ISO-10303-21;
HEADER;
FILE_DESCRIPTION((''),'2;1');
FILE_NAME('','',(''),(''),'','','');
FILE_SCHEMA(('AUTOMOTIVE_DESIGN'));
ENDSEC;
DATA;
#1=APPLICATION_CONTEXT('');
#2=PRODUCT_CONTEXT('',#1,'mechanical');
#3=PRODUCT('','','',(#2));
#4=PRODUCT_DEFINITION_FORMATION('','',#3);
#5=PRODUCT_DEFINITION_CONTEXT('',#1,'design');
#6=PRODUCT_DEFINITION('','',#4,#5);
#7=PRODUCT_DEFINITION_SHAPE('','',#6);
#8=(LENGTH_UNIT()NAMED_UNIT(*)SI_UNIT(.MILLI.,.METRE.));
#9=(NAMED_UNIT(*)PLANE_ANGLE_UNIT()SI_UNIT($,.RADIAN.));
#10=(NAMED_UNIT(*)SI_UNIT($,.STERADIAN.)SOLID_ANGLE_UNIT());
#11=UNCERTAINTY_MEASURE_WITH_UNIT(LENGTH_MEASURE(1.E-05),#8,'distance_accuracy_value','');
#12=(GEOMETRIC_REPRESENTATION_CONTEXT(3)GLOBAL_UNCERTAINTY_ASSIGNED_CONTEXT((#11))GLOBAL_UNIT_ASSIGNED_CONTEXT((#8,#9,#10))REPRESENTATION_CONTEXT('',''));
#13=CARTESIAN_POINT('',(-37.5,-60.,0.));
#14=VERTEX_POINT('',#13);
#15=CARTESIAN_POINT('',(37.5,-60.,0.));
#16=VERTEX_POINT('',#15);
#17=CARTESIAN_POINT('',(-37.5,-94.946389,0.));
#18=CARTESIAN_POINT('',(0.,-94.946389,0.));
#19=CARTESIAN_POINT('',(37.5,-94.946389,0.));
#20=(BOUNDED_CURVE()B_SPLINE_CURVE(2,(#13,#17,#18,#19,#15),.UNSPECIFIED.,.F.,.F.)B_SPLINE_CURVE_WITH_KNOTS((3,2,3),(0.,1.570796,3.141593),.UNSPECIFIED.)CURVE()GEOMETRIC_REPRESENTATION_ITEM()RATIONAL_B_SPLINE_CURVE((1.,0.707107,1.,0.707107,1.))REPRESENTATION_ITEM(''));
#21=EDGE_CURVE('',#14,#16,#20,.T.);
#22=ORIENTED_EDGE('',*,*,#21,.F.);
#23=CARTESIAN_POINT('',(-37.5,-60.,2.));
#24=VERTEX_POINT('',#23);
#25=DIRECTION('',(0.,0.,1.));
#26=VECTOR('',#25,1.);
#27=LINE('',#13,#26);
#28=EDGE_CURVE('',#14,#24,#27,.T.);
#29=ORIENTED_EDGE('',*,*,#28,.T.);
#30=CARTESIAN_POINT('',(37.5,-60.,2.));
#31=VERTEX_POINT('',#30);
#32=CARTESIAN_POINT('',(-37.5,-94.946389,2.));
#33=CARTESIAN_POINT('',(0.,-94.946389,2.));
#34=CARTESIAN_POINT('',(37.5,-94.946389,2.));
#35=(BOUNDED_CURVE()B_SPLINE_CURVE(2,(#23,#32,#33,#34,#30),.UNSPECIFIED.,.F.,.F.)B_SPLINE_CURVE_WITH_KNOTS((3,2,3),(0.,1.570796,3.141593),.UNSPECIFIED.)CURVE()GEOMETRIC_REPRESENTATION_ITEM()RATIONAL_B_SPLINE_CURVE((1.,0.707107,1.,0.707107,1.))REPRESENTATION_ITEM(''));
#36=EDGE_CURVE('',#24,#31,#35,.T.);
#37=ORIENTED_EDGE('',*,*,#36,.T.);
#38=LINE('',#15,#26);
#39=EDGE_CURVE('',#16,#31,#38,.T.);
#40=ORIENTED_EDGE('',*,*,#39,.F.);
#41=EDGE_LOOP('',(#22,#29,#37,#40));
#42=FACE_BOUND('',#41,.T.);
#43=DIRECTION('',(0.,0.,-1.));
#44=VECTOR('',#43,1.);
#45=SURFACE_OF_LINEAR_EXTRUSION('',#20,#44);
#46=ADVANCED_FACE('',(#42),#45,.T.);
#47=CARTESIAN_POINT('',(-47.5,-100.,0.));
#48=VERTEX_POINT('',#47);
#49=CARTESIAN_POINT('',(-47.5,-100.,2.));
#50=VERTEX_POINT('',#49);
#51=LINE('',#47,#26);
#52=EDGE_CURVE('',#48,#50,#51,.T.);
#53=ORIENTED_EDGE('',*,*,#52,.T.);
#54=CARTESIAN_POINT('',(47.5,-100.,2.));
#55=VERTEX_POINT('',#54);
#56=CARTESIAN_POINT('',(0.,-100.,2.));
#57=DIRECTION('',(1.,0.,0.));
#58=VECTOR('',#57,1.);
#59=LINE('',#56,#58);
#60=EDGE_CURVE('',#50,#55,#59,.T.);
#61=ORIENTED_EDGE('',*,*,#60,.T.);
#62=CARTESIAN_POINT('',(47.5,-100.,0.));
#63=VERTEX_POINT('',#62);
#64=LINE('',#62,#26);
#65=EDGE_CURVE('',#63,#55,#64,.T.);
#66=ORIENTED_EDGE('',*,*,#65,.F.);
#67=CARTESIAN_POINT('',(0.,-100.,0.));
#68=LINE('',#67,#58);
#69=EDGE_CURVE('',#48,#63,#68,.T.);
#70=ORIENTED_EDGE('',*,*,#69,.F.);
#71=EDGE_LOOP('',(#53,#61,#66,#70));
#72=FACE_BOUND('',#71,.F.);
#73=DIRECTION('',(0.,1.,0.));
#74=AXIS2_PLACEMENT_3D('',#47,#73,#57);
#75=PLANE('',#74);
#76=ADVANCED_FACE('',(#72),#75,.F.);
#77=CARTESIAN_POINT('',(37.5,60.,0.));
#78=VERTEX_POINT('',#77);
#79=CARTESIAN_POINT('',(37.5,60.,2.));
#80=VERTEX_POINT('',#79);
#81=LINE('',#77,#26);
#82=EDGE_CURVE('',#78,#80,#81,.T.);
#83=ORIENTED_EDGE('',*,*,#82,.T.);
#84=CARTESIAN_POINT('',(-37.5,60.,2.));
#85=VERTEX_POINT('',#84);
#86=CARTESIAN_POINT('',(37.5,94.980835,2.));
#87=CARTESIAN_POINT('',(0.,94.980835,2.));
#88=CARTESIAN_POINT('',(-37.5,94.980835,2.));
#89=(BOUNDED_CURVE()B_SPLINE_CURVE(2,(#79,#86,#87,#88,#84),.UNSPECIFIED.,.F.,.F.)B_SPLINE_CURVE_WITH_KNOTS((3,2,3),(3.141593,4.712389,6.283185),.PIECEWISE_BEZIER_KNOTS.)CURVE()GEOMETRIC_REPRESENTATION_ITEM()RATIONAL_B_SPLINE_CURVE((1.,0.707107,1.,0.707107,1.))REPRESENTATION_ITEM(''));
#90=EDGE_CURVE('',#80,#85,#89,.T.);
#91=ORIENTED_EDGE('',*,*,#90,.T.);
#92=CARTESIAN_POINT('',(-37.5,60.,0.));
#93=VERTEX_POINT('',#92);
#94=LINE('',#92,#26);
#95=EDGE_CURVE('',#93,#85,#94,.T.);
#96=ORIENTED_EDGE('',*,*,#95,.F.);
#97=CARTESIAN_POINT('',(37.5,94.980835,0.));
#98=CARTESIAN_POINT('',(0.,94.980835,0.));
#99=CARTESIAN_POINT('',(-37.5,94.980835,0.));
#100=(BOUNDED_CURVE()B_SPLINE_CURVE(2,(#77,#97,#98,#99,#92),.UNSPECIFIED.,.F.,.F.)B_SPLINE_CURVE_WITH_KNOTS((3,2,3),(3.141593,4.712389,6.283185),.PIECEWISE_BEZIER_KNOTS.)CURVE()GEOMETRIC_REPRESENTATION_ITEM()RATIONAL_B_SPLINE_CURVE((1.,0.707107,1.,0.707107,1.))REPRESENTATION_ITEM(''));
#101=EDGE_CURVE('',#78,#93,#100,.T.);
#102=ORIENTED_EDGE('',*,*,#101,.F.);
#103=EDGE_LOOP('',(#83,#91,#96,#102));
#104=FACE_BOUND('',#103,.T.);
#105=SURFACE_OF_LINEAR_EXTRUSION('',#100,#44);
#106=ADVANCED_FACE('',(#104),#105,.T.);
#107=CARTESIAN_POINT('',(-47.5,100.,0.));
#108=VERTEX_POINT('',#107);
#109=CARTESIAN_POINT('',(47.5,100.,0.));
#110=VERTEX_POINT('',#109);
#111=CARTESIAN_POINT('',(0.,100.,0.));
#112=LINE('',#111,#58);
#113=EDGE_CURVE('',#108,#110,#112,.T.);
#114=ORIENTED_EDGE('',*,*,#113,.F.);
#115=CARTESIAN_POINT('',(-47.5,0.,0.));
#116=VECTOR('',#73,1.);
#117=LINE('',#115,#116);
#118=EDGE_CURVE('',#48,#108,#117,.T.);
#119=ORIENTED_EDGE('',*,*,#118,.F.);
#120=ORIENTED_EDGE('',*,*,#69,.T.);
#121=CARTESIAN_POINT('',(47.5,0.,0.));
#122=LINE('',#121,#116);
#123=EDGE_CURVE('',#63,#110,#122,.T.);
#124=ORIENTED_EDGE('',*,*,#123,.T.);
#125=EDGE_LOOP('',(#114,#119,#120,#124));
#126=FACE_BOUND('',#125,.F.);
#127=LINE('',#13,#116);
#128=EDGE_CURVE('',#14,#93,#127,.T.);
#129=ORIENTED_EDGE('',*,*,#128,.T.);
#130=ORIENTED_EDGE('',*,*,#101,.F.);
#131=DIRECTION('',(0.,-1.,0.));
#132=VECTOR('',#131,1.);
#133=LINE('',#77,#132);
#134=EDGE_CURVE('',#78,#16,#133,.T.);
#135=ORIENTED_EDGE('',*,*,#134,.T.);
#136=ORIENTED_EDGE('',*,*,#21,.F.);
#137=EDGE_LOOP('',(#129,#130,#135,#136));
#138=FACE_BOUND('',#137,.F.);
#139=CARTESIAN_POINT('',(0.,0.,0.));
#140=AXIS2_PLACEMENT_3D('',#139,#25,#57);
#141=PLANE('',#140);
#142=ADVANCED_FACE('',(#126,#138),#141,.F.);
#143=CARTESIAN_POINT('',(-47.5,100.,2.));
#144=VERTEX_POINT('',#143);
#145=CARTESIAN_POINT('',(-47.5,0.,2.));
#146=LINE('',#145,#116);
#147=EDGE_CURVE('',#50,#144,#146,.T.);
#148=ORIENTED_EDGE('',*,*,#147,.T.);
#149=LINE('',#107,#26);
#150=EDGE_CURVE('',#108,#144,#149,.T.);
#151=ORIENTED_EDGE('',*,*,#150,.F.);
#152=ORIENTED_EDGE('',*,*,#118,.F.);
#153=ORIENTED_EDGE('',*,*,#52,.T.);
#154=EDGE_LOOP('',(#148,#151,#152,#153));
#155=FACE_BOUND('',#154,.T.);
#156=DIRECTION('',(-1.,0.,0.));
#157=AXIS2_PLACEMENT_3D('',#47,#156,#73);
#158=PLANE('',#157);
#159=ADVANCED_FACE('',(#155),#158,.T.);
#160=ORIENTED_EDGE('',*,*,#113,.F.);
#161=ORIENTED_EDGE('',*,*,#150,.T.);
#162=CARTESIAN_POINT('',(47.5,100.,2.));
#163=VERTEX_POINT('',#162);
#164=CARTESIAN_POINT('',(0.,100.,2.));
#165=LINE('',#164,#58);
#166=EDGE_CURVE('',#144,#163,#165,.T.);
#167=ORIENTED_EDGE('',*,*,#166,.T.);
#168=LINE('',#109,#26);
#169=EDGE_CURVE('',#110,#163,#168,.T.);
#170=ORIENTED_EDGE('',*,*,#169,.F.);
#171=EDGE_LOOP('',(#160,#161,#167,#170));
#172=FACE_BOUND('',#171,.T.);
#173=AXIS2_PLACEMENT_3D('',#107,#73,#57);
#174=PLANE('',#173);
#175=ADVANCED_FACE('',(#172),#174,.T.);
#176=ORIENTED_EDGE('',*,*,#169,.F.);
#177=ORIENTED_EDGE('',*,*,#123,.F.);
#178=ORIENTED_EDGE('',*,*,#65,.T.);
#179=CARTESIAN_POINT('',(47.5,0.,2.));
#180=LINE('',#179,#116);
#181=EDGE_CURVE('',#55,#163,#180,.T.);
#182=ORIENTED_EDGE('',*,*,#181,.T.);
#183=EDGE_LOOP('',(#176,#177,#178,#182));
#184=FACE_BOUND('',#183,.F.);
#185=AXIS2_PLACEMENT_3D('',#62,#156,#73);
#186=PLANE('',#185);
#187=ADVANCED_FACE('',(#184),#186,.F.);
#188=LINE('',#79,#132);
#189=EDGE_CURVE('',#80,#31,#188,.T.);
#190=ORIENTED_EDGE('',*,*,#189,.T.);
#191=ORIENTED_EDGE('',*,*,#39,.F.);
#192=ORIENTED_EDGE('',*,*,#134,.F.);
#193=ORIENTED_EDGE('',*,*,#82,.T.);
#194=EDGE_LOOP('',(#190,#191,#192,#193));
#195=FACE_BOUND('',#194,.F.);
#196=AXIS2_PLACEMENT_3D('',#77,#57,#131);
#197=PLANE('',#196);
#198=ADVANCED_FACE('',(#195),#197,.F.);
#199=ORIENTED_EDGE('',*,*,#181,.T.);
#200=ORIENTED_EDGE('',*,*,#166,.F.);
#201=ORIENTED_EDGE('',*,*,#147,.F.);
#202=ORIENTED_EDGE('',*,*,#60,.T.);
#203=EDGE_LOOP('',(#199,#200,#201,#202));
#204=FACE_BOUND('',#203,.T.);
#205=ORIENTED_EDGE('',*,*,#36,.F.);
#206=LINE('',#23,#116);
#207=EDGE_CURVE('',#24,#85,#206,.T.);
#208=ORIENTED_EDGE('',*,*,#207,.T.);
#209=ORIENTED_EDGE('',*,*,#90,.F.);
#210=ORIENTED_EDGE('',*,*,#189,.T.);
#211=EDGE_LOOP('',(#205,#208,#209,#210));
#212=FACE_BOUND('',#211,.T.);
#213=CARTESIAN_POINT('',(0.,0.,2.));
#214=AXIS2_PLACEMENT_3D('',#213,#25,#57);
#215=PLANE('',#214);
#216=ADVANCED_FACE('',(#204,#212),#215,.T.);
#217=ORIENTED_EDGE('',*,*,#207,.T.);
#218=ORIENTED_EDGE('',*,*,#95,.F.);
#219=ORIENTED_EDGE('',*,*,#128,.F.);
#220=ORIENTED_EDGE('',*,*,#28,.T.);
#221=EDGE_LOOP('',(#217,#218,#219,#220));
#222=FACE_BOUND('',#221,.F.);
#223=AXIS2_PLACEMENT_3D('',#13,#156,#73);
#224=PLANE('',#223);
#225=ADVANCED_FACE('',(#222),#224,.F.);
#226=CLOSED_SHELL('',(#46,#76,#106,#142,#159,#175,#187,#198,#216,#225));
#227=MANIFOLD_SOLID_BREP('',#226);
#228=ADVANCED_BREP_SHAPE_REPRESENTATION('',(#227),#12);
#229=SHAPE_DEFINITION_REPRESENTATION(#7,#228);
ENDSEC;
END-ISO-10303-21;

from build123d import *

# Parameters (mm, degrees)
F0_W     = 95
F0_H     = 200
F1_DEPTH = 2


with BuildPart() as f1:
    # F0 (on Top) → F1 (new body)
    with BuildSketch(Plane.XY):
        Rectangle(F0_W, F0_H)
        with BuildLine():
            add(Edge.make_bspline(
                [(-37.5, -60), (-37.5, -94.946389), (0, -94.946389), (37.5, -94.946389), (37.5, -60)],
                knots=[0, 0, 0, 1.570796, 1.570796, 3.141593, 3.141593, 3.141593], degree=2, weights=[1, 0.707107, 1, 0.707107, 1]))
            Line((-37.5, -60), (-37.5, 60))
            add(Edge.make_bspline(
                [(37.5, 60), (37.5, 94.980835), (0, 94.980835), (-37.5, 94.980835), (-37.5, 60)],
                knots=[3.141593, 3.141593, 3.141593, 4.712389, 4.712389, 6.283185, 6.283185, 6.283185], degree=2, weights=[1, 0.707107, 1, 0.707107, 1]))
            Line((37.5, 60), (37.5, -60))
        make_face(mode=Mode.SUBTRACT)
    extrude(amount=F1_DEPTH)


solid = f1.part
